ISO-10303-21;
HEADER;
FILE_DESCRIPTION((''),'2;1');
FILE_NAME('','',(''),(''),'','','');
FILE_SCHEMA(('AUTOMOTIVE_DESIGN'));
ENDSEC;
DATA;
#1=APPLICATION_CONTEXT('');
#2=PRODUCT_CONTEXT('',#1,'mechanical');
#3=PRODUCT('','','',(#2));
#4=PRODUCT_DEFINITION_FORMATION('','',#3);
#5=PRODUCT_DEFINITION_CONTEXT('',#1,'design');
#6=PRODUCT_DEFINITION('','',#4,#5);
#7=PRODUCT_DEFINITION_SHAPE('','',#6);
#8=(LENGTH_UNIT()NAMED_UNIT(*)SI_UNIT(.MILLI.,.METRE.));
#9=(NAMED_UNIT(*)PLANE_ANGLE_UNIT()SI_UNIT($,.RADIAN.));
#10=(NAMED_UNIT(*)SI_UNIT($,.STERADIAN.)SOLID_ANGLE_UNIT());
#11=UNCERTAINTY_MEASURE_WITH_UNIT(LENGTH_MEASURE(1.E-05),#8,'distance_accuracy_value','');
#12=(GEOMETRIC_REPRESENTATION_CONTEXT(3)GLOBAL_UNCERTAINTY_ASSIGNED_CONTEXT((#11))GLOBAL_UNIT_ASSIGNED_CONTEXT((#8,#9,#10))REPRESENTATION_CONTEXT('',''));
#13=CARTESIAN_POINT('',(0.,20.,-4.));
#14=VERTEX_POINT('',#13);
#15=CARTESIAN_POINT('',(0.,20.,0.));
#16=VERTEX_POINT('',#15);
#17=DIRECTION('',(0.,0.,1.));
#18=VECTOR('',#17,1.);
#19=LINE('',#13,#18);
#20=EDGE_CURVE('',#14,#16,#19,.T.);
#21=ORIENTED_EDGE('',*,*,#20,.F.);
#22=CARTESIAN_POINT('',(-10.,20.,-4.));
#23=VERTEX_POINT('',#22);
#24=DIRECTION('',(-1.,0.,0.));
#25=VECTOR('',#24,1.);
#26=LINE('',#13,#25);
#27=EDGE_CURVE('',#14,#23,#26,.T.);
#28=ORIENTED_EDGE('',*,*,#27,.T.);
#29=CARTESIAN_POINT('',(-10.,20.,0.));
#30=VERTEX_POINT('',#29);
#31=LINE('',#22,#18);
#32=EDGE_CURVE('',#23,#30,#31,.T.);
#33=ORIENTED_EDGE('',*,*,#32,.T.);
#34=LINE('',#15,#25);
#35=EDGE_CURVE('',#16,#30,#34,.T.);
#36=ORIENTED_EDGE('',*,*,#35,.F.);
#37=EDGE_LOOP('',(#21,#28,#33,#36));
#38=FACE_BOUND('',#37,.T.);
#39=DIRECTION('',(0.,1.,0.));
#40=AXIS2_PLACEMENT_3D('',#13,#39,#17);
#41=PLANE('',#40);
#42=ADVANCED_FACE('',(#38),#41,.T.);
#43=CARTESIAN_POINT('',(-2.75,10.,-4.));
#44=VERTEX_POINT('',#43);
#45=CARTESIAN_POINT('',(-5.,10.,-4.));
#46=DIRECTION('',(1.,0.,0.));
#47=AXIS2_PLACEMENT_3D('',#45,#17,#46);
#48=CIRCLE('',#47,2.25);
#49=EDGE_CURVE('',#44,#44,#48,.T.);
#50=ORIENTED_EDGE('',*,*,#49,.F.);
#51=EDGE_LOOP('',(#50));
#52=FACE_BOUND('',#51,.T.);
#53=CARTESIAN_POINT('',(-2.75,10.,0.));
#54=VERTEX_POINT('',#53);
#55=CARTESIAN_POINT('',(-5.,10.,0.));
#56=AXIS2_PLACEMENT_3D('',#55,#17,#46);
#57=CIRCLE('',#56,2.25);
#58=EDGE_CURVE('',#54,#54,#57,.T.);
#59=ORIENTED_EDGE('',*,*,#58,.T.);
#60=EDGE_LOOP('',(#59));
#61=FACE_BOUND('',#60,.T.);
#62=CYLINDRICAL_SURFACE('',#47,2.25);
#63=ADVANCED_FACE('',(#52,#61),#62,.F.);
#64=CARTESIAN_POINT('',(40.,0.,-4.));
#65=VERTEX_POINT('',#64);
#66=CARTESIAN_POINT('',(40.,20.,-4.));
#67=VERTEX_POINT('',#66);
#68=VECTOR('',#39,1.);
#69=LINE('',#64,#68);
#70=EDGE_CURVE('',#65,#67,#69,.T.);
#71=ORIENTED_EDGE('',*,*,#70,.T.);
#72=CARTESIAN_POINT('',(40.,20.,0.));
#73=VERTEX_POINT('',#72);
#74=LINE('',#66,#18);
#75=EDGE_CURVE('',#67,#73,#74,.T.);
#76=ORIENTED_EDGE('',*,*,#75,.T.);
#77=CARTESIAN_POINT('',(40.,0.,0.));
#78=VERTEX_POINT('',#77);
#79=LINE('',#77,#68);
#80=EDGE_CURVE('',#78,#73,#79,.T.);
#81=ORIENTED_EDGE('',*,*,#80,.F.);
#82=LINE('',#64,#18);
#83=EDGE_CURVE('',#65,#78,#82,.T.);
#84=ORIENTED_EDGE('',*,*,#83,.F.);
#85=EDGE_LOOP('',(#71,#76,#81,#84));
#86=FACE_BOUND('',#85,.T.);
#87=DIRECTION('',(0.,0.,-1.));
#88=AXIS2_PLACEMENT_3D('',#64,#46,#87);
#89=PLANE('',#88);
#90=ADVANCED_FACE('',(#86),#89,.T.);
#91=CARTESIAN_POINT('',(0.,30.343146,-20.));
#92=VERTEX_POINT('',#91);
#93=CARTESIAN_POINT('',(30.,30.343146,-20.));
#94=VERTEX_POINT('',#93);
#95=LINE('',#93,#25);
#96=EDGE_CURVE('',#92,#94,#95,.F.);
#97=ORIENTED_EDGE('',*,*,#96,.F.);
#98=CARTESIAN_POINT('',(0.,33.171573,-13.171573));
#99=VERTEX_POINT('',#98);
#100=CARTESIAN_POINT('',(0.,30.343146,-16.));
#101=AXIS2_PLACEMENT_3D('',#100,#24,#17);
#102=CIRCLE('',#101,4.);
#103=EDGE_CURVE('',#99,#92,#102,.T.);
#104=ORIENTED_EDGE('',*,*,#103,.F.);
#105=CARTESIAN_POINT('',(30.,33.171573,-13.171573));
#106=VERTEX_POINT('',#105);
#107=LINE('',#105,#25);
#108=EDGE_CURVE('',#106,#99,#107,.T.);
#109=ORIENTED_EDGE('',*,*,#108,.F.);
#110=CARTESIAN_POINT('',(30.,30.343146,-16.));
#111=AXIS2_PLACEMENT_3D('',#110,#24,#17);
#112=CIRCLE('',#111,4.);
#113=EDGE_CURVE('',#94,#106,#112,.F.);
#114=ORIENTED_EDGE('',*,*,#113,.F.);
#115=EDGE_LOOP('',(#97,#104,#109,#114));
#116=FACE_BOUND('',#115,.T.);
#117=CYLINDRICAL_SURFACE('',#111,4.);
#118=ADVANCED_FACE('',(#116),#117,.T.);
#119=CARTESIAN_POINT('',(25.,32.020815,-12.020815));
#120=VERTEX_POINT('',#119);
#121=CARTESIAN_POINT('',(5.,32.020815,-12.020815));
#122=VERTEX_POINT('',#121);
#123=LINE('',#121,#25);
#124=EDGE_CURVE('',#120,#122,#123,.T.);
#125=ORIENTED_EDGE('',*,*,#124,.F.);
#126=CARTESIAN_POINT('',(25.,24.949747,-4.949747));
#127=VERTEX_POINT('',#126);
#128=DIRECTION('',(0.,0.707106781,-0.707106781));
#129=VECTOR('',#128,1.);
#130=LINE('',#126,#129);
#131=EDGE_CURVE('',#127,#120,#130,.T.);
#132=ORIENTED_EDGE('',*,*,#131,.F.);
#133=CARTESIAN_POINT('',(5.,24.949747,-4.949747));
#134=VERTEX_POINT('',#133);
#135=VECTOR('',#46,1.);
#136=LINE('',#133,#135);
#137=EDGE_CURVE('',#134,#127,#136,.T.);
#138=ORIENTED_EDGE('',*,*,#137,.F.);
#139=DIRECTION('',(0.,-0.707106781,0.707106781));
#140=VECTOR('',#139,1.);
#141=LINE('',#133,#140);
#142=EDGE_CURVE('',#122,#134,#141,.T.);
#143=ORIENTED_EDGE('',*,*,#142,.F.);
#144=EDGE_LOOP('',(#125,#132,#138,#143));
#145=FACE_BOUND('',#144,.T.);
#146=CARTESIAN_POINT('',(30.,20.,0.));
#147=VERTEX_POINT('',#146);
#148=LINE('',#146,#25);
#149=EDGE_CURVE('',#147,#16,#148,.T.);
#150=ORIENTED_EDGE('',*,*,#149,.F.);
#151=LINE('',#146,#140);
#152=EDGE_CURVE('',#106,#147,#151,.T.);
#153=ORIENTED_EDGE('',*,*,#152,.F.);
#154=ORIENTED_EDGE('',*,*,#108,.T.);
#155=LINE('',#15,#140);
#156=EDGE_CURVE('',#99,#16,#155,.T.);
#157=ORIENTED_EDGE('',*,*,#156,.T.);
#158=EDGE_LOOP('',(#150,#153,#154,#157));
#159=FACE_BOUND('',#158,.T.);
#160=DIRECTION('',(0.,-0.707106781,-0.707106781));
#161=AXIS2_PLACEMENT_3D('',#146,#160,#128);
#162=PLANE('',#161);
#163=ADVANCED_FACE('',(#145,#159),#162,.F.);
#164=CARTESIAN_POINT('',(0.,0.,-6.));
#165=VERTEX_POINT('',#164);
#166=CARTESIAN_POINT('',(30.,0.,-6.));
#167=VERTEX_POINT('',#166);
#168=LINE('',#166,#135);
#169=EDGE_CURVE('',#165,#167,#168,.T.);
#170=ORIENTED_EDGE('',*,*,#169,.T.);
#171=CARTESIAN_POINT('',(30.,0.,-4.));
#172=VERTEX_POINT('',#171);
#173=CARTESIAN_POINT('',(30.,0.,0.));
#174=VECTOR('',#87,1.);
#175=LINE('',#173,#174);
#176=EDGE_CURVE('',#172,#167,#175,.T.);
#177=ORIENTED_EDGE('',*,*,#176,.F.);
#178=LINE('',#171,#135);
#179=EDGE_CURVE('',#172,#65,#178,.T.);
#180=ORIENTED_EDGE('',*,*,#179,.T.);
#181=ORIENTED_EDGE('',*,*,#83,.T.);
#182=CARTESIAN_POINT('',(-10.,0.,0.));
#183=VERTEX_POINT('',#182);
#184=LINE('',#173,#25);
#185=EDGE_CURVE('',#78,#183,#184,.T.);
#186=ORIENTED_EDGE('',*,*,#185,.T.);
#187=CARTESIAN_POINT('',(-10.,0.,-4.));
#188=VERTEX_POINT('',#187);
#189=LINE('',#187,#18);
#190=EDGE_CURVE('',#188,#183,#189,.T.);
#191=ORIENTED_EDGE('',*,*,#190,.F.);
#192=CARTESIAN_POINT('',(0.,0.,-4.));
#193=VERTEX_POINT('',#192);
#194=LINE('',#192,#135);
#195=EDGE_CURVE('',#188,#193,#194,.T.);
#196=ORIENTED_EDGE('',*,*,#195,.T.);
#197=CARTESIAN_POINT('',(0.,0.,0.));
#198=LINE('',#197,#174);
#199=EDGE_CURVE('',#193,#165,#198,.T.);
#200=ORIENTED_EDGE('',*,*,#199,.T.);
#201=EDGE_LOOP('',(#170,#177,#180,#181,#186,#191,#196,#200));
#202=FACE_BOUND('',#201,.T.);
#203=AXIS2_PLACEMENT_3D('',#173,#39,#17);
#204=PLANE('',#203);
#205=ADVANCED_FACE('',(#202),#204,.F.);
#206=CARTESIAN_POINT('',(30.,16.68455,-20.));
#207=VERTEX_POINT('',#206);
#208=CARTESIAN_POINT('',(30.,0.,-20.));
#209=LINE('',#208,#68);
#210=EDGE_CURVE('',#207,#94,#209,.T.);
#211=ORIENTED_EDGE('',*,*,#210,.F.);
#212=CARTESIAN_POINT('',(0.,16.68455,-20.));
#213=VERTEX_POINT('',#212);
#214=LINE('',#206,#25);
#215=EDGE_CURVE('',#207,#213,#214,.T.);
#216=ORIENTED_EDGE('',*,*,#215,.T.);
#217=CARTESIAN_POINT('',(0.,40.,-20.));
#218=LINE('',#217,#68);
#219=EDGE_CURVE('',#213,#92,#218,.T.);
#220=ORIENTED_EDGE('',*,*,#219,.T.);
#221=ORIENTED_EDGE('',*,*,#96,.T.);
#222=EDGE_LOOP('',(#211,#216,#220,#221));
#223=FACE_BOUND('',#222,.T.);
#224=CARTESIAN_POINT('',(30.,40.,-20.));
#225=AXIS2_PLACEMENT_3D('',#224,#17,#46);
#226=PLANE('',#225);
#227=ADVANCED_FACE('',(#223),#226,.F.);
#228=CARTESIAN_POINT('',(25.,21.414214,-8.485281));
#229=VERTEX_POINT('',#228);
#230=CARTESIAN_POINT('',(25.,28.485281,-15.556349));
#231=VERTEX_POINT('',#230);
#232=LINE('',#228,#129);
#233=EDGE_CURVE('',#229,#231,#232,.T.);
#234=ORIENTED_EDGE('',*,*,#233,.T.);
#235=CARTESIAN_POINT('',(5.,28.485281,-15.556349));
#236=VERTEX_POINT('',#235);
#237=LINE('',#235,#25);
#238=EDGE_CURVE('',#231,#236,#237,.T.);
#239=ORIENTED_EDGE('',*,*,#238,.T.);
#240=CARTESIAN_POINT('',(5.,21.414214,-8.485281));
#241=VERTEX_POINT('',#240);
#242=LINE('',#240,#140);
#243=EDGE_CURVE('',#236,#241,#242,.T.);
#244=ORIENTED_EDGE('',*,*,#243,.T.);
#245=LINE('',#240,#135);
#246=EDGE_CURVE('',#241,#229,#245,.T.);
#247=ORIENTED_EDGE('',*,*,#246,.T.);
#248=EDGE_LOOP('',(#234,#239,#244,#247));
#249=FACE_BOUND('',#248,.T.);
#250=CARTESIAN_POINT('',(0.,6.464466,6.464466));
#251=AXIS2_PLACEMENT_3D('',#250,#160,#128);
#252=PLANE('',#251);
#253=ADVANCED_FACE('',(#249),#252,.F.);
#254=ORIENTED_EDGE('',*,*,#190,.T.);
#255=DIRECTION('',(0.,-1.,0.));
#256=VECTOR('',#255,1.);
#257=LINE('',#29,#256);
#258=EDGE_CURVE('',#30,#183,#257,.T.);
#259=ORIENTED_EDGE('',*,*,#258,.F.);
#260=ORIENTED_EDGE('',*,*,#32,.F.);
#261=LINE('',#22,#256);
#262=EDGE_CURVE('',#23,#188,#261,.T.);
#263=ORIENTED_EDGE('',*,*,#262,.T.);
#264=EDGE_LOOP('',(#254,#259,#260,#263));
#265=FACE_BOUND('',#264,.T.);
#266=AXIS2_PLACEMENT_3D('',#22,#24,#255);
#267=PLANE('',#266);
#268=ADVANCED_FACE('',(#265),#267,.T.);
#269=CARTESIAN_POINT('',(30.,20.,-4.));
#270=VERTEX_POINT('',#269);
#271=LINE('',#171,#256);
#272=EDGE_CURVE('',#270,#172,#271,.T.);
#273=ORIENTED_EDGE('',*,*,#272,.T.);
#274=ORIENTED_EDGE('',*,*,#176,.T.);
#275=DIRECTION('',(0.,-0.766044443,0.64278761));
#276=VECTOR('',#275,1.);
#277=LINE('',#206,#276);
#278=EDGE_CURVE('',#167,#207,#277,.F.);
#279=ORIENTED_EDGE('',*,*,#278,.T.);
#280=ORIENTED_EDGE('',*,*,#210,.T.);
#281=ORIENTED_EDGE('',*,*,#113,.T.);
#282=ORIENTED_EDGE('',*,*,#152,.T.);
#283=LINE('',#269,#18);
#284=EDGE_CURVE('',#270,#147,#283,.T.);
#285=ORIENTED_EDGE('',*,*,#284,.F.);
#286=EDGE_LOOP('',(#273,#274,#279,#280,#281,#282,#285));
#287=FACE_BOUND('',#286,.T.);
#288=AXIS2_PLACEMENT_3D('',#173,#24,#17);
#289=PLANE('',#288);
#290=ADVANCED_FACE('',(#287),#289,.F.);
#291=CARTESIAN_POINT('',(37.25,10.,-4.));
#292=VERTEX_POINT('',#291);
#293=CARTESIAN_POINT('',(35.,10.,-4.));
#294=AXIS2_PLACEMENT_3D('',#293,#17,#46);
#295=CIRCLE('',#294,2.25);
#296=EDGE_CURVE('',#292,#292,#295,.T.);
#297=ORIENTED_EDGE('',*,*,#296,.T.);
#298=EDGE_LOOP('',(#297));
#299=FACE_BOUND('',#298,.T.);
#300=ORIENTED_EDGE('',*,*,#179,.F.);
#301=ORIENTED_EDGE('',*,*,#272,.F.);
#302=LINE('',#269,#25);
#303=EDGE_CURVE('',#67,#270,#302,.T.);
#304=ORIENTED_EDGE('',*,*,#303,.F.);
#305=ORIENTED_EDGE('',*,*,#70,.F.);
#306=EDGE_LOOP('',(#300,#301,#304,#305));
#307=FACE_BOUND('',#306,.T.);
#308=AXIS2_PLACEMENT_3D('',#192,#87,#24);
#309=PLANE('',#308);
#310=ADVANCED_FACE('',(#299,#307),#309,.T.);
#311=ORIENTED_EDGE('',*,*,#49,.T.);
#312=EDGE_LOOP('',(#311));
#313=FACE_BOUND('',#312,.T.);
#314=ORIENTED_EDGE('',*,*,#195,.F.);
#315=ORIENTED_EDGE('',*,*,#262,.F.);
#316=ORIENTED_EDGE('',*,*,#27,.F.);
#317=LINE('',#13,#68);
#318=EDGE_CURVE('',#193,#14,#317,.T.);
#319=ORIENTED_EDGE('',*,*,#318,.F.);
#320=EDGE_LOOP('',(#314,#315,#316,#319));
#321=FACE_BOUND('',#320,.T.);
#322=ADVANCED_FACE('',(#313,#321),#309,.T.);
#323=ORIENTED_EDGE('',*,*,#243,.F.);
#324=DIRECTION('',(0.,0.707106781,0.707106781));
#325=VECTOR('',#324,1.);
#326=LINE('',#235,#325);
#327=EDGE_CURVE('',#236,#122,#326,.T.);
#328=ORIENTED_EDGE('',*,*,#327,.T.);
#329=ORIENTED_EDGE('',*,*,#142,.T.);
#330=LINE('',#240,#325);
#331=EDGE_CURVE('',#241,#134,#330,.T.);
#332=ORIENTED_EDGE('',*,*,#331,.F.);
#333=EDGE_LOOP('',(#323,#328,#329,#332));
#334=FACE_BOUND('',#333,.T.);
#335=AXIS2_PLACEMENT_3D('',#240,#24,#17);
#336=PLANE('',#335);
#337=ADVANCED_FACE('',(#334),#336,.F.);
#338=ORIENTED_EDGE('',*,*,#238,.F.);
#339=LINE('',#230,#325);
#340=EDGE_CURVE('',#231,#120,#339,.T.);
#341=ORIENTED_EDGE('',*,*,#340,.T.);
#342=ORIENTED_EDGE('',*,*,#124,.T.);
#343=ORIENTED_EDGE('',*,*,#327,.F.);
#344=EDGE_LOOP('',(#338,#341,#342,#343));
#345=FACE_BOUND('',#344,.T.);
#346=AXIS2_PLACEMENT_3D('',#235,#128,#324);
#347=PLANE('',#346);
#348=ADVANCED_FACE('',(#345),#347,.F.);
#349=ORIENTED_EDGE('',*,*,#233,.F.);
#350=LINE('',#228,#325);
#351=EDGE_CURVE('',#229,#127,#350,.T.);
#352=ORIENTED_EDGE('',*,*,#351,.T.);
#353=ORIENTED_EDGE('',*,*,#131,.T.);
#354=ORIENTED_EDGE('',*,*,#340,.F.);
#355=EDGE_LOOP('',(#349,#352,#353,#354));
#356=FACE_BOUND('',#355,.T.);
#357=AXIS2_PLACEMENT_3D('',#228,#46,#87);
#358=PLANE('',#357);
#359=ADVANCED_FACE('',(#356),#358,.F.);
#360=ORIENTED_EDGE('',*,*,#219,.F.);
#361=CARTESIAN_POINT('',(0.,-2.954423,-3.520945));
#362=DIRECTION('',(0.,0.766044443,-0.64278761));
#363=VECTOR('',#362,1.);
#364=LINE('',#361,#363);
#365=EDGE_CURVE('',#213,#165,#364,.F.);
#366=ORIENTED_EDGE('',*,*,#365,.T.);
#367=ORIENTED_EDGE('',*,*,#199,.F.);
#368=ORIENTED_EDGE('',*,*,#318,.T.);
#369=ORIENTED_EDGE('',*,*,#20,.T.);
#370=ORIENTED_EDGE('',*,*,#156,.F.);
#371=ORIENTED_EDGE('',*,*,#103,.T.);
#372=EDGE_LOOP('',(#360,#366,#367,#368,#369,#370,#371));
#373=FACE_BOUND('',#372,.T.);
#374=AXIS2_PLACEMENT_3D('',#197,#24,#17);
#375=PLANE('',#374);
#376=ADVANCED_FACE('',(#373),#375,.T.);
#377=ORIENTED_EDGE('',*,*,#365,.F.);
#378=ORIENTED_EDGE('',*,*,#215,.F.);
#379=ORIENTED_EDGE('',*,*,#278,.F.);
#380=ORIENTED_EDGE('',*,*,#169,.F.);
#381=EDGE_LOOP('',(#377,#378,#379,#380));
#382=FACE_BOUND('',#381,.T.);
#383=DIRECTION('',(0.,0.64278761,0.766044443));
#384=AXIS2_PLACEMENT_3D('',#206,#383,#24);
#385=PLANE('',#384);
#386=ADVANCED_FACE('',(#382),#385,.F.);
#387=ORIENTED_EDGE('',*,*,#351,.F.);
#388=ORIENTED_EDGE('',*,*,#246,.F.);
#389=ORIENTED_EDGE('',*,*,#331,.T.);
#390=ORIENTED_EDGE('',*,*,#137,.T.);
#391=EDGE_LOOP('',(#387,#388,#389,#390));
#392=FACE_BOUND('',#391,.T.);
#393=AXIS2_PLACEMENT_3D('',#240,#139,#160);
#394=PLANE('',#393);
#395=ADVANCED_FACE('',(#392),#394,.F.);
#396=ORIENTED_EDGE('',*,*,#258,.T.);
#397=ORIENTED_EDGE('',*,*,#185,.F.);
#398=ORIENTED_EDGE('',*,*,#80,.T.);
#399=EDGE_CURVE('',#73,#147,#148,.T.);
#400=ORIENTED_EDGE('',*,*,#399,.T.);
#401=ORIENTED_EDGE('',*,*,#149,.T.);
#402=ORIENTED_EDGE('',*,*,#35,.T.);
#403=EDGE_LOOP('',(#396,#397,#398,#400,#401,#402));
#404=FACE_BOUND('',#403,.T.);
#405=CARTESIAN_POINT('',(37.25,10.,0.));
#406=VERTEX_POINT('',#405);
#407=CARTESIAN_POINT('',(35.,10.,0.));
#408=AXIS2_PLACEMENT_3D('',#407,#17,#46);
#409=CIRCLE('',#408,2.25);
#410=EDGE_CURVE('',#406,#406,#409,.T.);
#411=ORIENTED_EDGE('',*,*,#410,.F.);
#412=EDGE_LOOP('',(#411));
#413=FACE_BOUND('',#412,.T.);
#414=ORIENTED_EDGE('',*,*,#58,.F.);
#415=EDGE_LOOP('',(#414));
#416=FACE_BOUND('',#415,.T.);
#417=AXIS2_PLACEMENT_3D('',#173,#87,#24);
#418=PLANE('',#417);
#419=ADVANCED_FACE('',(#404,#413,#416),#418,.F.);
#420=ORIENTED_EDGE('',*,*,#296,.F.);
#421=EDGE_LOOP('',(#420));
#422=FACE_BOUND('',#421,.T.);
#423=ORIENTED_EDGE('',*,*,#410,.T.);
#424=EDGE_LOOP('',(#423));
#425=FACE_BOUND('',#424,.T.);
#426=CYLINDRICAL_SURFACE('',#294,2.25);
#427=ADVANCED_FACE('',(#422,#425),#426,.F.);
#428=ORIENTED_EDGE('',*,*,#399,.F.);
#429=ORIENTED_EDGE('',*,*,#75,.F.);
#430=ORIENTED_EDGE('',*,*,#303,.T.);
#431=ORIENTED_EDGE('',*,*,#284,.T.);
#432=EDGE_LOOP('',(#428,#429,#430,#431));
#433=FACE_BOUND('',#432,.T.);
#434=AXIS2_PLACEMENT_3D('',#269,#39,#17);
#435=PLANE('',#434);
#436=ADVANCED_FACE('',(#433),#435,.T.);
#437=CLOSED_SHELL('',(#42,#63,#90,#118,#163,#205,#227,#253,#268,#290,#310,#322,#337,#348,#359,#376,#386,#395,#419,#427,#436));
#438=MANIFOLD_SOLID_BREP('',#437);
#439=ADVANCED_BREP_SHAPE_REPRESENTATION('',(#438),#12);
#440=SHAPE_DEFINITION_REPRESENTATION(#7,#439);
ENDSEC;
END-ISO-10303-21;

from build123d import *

# Parameters (mm, degrees)
BOSS_EXTRUDE1_DEPTH = 30
SKETCH2_W           = 10
SKETCH2_H           = 20
SKETCH2_R           = 2.25
BOSS_EXTRUDE2_DEPTH = 4
SKETCH3_W           = 20
SKETCH3_H           = 10
CUT_EXTRUDE1_DEPTH  = 5
FILLET1_R           = 4
CHAMFER1_SIZE       = 14
CHAMFER1_SIZE2      = 16.684550296


with BuildPart() as part:
    # Sketch1 → Boss-Extrude1 (new body)
    with BuildSketch(Plane(origin=(0, 0, 0), x_dir=(0, 0, -1), z_dir=(1, 0, 0))):
        Polygon((0, 20), (20, 40), (20, 20), (20, 0), (0, 0), align=None)
    extrude(amount=BOSS_EXTRUDE1_DEPTH)

    # Sketch2 → Boss-Extrude2 (add)
    with BuildSketch(Plane.XY):
        with Locations((-5, 10)):
            Rectangle(SKETCH2_W, SKETCH2_H)
        with Locations((-5, 10)):
            Circle(SKETCH2_R, mode=Mode.SUBTRACT)
        with Locations((35, 10)):
            Rectangle(SKETCH2_W, SKETCH2_H)
        with Locations((35, 10)):
            Circle(SKETCH2_R, mode=Mode.SUBTRACT)
    extrude(amount=-BOSS_EXTRUDE2_DEPTH)

    # Sketch3 → Cut-Extrude1 (cut)
    with BuildSketch(Plane(origin=(0, 10, 10), x_dir=(1, 0, 0), z_dir=(0, 0.707106781, 0.707106781))):
        with Locations((15, 26.142135624)):
            Rectangle(SKETCH3_W, SKETCH3_H)
    extrude(amount=-CUT_EXTRUDE1_DEPTH, mode=Mode.SUBTRACT)

    # Fillet1
    fillet1_edges = [part.edges().sort_by_distance(p)[0] for p in [
        (15, 40, -20),
    ]]
    fillet(fillet1_edges, radius=FILLET1_R)

    # Chamfer1
    chamfer1_edges = [part.edges().sort_by_distance(p)[0] for p in [
        (15, 0, -20),
    ]]
    chamfer1_side = [part.faces().sort_by_distance(p)[0] for p in [
        (15, 0, -9.058823529),
    ]]
    chamfer(chamfer1_edges, length=CHAMFER1_SIZE, length2=CHAMFER1_SIZE2, reference=chamfer1_side[0])


solid = part.part
